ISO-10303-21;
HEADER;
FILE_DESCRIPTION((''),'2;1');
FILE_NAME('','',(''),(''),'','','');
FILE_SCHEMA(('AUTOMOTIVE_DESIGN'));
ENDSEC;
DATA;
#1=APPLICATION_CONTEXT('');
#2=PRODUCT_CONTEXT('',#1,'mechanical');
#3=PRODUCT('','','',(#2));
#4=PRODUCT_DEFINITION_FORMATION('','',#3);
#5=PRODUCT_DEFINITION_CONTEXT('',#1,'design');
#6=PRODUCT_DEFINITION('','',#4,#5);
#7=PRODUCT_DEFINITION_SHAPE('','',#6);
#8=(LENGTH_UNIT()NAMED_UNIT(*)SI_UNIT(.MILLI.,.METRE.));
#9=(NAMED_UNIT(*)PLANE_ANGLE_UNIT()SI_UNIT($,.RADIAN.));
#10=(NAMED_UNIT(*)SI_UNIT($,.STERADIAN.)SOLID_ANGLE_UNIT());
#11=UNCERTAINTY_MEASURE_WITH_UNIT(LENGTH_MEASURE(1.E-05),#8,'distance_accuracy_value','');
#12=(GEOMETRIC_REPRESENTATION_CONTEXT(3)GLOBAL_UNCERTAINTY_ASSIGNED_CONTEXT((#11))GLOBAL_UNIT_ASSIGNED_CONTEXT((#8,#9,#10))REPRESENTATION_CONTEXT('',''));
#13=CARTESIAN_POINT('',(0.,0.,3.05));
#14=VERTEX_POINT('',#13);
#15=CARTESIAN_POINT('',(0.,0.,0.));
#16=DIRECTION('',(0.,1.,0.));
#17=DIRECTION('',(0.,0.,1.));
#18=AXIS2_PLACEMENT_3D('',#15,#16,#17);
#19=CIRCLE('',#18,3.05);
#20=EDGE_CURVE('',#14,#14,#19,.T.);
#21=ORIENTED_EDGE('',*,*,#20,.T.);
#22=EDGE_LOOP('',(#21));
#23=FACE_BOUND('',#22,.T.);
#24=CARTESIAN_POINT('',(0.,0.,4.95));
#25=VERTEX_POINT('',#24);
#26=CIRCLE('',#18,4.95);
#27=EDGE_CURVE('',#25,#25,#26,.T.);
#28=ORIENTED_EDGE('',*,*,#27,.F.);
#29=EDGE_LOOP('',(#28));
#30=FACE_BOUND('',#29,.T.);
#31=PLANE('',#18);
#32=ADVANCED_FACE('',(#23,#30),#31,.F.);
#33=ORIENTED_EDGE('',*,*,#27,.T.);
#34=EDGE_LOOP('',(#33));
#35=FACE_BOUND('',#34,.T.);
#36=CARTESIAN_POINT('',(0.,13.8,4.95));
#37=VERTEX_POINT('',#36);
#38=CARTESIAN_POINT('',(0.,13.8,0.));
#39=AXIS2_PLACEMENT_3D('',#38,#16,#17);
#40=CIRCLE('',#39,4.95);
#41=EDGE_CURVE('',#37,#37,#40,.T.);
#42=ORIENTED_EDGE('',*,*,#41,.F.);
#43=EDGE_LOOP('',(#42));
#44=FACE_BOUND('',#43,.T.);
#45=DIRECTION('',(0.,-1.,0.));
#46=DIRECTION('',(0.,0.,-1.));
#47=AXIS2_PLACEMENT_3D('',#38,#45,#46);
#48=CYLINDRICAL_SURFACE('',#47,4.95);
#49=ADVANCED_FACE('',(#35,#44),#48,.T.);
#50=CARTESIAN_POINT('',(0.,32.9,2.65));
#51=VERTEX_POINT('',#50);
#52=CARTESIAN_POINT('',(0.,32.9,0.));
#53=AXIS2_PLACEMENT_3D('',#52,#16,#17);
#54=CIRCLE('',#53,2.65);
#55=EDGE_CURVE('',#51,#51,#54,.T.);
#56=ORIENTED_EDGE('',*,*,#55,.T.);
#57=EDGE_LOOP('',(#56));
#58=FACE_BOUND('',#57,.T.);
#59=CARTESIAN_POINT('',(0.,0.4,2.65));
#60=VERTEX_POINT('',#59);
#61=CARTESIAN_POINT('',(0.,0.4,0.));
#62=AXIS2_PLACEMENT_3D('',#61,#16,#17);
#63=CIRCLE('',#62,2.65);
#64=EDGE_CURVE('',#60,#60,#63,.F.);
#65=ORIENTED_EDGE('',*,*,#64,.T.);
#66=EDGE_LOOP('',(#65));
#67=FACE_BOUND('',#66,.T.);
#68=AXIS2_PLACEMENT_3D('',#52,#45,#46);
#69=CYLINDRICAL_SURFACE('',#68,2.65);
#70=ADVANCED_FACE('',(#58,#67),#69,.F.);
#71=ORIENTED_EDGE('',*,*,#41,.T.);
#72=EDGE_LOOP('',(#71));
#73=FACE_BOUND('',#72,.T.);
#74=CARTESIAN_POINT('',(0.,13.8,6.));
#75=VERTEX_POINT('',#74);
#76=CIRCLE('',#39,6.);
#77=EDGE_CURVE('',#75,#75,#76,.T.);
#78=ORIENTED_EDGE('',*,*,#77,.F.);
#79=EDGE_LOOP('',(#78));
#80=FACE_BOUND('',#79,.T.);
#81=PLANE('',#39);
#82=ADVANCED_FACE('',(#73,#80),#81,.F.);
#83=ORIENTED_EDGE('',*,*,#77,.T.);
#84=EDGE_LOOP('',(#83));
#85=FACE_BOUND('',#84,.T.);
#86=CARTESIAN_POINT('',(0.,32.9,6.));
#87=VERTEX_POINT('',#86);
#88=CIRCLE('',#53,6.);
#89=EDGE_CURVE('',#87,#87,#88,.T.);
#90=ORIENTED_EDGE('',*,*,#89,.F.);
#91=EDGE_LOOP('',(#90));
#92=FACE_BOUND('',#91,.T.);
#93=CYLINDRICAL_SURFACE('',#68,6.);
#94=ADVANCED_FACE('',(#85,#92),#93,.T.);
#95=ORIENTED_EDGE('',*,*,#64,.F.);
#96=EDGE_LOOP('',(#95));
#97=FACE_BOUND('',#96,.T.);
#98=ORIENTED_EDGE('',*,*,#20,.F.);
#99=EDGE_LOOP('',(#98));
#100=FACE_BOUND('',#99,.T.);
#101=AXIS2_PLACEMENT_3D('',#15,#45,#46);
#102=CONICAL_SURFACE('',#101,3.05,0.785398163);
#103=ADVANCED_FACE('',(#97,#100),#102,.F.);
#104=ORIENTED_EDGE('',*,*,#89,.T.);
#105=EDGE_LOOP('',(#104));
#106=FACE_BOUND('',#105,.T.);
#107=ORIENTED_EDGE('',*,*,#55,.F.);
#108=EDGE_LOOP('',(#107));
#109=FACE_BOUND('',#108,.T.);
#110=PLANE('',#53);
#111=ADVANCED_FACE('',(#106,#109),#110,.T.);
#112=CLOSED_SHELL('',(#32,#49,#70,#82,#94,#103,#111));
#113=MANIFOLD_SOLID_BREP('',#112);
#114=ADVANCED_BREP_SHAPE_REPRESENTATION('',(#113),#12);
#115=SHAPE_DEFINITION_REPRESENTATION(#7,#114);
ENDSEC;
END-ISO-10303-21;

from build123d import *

# Parameters (mm, degrees)
SKETCH1_R           = 4.95
BOSS_EXTRUDE1_DEPTH = 13.8
SKETCH2_R           = 6
BOSS_EXTRUDE2_DEPTH = 19.1
SKETCH7_R           = 2.65
CUT_EXTRUDE1_DEPTH  = 33.9
CHAMFER1_SIZE       = 0.4


with BuildPart() as part:
    # Sketch1 → Boss-Extrude1 (new body)
    with BuildSketch(Plane(origin=(0, 0, 0), x_dir=(1, 0, 0), z_dir=(0, 1, 0))):
        Circle(SKETCH1_R)
    extrude(amount=BOSS_EXTRUDE1_DEPTH)

    # Sketch2 → Boss-Extrude2 (add)
    with BuildSketch(Plane(origin=(0, 13.8, 0), x_dir=(1, 0, 0), z_dir=(0, 1, 0))):
        Circle(SKETCH2_R)
    extrude(amount=BOSS_EXTRUDE2_DEPTH)

    # Sketch7 → Cut-Extrude1 (cut, through all)
    with BuildSketch(Plane(origin=(0, 0, 0), x_dir=(1, 0, 0), z_dir=(0, 1, 0))):
        Circle(SKETCH7_R)
    extrude(amount=CUT_EXTRUDE1_DEPTH, mode=Mode.SUBTRACT)

    # Chamfer1
    chamfer1_edges = [part.edges().sort_by_distance(p)[0] for p in [
        (-2.65, 0, 0),
    ]]
    chamfer(chamfer1_edges, length=CHAMFER1_SIZE)


solid = part.part
